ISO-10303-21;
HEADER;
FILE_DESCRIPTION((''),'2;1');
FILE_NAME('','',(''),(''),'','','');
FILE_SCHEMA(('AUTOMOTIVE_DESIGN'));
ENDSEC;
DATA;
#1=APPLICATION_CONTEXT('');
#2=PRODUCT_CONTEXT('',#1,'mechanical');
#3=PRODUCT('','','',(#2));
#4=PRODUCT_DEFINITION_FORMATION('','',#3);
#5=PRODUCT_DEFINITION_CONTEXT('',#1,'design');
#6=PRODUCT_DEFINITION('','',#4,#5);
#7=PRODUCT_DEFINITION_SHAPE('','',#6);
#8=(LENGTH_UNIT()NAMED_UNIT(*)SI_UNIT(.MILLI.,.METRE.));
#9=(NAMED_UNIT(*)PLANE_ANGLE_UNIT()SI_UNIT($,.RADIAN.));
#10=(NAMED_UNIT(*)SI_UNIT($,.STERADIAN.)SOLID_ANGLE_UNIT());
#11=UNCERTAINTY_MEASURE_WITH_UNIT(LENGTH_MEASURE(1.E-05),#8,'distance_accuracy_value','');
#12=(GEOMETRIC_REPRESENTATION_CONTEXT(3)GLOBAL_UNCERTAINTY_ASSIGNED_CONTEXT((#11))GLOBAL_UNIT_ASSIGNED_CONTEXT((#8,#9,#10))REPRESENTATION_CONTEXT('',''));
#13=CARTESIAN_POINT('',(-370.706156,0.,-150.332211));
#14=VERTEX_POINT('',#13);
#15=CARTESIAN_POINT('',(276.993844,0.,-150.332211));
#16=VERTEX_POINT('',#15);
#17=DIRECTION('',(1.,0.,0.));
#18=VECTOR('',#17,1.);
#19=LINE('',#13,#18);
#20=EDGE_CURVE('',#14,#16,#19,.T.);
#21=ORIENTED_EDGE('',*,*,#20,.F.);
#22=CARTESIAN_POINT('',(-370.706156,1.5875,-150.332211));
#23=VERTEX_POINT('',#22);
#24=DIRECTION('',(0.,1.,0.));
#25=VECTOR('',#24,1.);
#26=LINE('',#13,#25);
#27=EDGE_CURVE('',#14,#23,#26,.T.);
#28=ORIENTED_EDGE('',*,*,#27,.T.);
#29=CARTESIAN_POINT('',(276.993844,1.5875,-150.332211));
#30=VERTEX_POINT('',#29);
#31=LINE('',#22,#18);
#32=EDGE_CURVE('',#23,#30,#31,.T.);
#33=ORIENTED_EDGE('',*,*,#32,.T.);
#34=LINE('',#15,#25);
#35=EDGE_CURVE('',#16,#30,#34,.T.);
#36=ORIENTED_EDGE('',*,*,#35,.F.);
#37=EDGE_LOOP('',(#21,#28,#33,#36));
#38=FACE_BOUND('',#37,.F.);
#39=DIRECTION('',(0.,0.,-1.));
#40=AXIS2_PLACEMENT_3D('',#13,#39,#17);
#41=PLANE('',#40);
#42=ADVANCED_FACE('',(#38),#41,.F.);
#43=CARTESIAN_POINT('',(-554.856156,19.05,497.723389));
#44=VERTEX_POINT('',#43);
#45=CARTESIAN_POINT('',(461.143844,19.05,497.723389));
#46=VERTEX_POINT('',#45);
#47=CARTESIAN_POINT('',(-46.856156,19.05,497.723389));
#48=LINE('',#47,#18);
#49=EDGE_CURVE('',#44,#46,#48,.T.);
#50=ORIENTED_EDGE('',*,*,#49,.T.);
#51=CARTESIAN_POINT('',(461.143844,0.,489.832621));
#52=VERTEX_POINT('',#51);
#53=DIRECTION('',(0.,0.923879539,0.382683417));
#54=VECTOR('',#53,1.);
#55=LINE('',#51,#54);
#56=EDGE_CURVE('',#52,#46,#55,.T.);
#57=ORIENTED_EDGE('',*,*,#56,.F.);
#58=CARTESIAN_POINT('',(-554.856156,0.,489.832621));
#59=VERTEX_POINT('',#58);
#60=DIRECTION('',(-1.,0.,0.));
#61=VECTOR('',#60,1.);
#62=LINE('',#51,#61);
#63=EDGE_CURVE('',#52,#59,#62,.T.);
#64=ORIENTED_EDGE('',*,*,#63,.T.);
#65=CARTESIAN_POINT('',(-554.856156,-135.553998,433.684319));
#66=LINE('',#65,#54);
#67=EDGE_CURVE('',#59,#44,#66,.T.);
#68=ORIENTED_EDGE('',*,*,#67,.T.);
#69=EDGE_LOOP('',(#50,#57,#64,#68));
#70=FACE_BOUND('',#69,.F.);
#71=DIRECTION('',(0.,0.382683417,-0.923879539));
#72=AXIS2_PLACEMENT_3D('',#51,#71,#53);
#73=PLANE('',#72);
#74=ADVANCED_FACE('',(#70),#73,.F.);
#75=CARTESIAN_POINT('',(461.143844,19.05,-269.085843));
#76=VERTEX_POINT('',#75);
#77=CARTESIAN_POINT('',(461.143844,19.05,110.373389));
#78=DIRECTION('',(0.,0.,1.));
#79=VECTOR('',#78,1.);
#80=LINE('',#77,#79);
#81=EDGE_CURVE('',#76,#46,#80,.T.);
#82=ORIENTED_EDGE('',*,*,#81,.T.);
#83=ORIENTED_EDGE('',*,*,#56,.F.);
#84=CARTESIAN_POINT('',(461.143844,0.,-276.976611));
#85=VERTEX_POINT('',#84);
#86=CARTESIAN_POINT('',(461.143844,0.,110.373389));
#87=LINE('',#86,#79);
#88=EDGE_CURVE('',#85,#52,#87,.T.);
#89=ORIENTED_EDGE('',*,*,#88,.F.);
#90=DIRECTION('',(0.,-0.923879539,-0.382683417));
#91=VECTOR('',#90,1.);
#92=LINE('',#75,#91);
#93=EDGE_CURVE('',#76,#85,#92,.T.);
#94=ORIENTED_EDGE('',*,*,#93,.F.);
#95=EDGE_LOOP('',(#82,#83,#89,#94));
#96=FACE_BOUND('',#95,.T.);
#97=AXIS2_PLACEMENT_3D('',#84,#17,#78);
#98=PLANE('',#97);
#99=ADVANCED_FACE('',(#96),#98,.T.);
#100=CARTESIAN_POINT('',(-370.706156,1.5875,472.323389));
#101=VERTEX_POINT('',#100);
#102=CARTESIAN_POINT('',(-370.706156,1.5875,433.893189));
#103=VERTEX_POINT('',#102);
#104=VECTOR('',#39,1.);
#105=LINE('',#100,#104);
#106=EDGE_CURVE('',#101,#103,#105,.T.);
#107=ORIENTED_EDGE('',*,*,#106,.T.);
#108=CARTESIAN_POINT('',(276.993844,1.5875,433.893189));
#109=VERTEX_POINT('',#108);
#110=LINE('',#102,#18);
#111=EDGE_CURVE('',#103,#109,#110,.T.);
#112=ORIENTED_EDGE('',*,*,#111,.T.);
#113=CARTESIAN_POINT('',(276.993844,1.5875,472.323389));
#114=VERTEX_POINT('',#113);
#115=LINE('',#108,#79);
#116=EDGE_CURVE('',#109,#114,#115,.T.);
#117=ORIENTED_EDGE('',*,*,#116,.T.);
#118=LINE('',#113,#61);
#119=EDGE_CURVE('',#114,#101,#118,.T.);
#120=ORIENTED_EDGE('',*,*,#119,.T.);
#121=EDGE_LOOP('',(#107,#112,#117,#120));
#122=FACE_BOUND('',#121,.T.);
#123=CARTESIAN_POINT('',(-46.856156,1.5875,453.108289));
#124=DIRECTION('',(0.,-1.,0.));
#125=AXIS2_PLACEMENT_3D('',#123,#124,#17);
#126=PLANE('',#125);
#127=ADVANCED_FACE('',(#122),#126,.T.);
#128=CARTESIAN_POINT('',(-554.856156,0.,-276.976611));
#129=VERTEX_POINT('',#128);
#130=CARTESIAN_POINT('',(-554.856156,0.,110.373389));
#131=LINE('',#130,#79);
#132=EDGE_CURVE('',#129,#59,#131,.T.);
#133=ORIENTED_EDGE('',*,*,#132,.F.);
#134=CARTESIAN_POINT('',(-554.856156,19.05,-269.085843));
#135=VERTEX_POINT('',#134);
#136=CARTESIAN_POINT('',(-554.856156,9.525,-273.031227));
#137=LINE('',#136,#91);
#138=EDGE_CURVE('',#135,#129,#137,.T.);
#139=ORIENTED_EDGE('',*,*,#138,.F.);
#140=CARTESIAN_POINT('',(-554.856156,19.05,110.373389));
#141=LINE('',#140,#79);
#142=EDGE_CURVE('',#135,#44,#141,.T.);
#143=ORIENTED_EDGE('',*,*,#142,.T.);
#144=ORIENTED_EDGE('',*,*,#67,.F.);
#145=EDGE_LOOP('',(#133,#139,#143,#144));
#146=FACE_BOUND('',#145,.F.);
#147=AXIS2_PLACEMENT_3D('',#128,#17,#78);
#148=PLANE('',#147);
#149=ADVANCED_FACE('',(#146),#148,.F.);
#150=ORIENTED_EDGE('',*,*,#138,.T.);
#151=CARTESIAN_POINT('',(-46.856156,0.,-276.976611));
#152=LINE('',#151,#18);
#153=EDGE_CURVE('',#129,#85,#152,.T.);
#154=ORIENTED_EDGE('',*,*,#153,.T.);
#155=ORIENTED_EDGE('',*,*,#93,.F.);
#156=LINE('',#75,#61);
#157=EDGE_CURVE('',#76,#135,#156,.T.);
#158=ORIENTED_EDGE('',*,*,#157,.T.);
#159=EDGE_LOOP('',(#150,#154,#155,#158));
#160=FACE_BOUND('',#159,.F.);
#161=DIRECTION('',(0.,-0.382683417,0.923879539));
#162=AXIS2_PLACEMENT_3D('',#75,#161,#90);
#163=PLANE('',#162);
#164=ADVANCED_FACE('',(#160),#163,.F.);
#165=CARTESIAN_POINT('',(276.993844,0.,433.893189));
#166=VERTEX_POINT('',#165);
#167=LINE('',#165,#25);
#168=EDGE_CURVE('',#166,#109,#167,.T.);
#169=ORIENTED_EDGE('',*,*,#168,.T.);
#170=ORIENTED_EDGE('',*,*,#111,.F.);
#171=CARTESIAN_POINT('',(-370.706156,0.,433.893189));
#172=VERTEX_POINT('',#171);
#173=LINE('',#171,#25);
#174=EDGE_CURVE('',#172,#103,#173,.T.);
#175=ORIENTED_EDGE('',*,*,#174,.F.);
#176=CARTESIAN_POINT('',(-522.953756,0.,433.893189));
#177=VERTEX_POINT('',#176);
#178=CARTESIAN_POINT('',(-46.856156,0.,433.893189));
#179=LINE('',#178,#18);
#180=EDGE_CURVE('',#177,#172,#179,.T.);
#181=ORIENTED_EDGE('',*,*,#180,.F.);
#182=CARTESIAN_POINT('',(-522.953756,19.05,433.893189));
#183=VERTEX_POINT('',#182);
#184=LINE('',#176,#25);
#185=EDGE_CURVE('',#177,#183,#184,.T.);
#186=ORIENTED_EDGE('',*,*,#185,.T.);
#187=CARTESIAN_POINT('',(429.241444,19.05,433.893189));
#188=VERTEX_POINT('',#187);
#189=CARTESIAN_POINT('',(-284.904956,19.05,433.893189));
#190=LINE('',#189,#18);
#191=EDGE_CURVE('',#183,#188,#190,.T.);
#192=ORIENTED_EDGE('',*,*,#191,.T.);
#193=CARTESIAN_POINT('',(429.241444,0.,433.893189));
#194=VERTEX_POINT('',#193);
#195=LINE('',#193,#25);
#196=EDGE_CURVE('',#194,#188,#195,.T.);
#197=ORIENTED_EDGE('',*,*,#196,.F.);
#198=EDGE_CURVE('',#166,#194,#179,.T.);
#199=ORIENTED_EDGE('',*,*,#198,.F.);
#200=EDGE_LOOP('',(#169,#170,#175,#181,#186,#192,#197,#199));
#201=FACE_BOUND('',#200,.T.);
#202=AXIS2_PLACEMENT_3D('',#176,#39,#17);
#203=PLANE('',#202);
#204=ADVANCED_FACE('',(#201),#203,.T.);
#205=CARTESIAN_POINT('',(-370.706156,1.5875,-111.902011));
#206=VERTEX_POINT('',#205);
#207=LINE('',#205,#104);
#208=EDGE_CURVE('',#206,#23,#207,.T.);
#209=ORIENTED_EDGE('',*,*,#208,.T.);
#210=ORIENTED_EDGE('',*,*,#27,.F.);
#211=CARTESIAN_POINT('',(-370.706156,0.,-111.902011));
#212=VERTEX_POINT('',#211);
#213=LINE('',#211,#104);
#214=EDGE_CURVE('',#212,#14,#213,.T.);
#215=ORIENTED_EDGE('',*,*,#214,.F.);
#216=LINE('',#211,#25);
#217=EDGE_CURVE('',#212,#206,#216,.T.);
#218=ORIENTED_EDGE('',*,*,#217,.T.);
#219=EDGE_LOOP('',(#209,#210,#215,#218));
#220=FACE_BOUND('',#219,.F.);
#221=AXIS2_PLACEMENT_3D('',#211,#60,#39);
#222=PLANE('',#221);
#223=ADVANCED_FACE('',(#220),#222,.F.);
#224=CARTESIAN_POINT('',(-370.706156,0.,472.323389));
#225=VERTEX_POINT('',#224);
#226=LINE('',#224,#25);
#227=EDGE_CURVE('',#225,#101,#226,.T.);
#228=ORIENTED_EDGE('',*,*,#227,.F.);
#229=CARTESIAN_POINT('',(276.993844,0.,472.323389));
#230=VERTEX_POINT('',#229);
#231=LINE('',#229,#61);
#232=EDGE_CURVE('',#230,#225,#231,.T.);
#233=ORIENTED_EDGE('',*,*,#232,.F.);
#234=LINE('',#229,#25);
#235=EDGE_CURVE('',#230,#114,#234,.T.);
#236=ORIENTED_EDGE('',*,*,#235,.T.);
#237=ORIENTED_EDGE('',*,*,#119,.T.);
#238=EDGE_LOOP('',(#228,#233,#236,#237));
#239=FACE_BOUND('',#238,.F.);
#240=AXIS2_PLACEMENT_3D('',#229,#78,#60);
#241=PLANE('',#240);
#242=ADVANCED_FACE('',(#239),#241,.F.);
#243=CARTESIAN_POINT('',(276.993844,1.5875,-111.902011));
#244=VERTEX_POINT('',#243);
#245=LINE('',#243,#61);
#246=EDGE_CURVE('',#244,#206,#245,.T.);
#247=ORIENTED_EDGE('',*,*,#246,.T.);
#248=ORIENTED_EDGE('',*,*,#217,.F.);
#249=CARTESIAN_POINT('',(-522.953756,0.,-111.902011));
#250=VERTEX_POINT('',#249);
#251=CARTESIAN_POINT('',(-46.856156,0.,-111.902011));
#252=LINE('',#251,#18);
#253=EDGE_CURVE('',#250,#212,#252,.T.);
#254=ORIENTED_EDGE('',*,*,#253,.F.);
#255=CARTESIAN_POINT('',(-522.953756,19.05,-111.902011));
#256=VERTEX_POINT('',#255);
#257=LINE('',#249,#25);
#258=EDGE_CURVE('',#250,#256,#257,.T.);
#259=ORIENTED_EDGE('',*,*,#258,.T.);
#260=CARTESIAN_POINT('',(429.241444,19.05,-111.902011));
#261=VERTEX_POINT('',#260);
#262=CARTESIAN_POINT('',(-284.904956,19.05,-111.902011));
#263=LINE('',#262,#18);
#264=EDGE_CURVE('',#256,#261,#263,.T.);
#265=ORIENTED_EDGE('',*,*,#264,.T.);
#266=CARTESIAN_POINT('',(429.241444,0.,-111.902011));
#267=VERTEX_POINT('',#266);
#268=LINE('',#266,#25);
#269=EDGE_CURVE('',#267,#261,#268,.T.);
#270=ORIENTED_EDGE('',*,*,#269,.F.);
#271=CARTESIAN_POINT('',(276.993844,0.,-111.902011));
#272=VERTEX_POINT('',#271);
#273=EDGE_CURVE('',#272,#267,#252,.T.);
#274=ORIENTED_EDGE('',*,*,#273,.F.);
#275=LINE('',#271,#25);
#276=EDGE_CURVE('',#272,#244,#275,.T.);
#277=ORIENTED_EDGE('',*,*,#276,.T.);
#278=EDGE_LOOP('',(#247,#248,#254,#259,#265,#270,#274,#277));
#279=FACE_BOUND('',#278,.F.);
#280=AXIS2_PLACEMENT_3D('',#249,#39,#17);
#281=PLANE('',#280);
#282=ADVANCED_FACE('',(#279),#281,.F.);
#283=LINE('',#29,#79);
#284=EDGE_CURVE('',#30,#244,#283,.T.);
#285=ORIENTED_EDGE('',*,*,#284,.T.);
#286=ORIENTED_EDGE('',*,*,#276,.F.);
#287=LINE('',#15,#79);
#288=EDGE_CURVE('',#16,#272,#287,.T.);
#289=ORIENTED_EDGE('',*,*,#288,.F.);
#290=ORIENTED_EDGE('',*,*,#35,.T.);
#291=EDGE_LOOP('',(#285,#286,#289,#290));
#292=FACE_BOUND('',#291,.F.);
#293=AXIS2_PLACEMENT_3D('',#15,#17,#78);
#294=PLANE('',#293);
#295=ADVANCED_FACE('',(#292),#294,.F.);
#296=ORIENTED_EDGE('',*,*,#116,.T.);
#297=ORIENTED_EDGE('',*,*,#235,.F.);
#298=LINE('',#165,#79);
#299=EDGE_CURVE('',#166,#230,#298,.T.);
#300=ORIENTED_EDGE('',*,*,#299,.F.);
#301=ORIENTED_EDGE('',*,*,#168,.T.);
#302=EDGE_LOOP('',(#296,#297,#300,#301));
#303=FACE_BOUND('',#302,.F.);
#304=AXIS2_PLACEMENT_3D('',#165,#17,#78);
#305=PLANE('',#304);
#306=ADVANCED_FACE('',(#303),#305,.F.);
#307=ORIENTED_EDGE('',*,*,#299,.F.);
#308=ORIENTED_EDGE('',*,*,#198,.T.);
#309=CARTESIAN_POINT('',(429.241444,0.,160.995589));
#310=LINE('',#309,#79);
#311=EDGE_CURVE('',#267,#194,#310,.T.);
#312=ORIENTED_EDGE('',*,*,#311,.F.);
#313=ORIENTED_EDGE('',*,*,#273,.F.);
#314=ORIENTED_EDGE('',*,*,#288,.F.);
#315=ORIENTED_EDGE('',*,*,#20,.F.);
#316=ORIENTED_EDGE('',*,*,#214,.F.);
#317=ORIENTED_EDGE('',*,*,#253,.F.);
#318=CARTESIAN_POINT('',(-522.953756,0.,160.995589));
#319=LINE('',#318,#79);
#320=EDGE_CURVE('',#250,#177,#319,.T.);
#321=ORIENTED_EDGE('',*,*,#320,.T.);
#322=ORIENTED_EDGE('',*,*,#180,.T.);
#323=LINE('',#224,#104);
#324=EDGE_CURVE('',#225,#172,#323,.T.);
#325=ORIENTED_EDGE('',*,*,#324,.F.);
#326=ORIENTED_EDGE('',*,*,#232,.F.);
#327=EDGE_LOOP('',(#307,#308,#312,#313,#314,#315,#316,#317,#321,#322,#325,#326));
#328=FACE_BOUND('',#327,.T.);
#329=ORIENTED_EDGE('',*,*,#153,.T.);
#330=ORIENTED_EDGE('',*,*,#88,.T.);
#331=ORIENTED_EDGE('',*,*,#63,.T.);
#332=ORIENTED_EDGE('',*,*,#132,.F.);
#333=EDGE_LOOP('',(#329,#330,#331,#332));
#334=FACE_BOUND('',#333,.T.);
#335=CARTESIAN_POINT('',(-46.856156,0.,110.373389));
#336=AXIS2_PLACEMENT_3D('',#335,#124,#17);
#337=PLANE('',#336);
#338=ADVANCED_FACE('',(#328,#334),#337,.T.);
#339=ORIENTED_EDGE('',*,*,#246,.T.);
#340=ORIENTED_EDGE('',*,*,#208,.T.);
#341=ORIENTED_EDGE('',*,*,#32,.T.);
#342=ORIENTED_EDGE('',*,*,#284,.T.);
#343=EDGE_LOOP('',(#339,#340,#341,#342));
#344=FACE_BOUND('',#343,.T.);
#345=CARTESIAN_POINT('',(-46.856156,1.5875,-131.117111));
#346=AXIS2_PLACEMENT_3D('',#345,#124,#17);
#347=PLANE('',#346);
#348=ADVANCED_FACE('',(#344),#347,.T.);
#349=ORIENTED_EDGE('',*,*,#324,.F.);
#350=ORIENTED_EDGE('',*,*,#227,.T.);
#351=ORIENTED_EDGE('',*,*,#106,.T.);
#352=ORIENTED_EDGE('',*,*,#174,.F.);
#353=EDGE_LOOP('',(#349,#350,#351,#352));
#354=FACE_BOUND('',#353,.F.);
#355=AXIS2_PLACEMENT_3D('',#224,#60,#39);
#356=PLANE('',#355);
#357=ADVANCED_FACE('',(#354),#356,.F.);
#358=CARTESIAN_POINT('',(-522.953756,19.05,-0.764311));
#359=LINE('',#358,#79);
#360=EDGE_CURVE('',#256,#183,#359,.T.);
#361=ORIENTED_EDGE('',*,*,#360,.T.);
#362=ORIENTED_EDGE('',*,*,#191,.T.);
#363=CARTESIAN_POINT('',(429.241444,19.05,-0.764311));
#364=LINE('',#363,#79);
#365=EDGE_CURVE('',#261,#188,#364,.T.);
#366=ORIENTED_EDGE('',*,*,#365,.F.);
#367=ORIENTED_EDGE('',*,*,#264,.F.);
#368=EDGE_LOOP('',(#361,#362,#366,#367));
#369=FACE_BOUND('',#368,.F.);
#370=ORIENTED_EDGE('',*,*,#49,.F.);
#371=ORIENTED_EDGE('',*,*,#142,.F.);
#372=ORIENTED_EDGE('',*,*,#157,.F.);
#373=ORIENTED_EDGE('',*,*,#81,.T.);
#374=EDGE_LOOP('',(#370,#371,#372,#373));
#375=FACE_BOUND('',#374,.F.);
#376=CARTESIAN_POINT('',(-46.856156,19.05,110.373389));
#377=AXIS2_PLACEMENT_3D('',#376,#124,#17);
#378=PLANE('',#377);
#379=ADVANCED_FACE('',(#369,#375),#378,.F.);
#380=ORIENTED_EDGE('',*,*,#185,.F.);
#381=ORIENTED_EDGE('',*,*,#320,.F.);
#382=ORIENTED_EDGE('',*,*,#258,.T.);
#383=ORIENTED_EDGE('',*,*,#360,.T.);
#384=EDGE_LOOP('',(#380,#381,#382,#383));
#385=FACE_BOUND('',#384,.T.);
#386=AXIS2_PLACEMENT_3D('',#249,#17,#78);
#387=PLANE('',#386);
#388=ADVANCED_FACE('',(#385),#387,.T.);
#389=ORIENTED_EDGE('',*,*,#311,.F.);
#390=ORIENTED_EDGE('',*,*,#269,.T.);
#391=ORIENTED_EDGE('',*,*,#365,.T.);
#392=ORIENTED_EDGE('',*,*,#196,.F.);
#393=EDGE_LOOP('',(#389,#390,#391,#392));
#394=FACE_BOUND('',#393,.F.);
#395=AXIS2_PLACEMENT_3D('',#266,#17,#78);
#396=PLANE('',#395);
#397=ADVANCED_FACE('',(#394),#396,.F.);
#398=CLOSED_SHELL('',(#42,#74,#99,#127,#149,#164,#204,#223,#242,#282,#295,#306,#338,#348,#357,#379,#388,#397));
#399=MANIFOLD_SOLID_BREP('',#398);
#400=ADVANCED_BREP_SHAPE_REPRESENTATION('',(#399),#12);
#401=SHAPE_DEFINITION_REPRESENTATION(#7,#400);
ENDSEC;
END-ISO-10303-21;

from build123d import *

# Parameters (mm, degrees)
F0_W     = 1016
F0_H     = 774.7
F1_DEPTH = 19.05
F3_DEPTH = 1016.001
F4_W     = 952.1952
F4_H     = 545.7952
F5_DEPTH = 19.051
F7_DEPTH = 1.5875
F9_DEPTH = 1016.001


with BuildPart() as f1:
    # F0 (on Front) → F1 (new body)
    with BuildSketch(Plane.XZ):
        with Locations((-46.856156, 110.373389)):
            Rectangle(F0_W, F0_H)
    extrude(amount=-F1_DEPTH)

    # F2 (on face) → F3 (cut, through all)
    with BuildSketch(Plane.YZ.offset(461.143844)):
        Polygon((19.05, -269.085843), (0, -276.976611), (19.05, -276.976611), align=None)
    extrude(amount=-F3_DEPTH, mode=Mode.SUBTRACT)

    # F4 (on face) → F5 (cut, through all)
    with BuildSketch(Plane.XZ):
        with Locations((-46.856156, 160.995589)):
            Rectangle(F4_W, F4_H)
    extrude(amount=-F5_DEPTH, mode=Mode.SUBTRACT)

    # F6 (on face) → F7 (cut)
    with BuildSketch(Plane.XZ):
        Polygon((276.993844, 472.323389), (-46.856156, 472.323389), (-370.706156, 472.323389), (-370.706156, 433.893189), (276.993844, 433.893189), align=None)
        Polygon((276.993844, -111.902011), (-370.706156, -111.902011), (-370.706156, -150.332211), (-46.856156, -150.332211), (276.993844, -150.332211), align=None)
    extrude(amount=-F7_DEPTH, mode=Mode.SUBTRACT)

    # F8 (on face) → F9 (cut, through all)
    with BuildSketch(Plane.YZ.offset(461.143844)):
        Polygon((19.05, 497.723389), (0, 497.723389), (0, 489.832621), align=None)
    extrude(amount=-F9_DEPTH, mode=Mode.SUBTRACT)


solid = f1.part
